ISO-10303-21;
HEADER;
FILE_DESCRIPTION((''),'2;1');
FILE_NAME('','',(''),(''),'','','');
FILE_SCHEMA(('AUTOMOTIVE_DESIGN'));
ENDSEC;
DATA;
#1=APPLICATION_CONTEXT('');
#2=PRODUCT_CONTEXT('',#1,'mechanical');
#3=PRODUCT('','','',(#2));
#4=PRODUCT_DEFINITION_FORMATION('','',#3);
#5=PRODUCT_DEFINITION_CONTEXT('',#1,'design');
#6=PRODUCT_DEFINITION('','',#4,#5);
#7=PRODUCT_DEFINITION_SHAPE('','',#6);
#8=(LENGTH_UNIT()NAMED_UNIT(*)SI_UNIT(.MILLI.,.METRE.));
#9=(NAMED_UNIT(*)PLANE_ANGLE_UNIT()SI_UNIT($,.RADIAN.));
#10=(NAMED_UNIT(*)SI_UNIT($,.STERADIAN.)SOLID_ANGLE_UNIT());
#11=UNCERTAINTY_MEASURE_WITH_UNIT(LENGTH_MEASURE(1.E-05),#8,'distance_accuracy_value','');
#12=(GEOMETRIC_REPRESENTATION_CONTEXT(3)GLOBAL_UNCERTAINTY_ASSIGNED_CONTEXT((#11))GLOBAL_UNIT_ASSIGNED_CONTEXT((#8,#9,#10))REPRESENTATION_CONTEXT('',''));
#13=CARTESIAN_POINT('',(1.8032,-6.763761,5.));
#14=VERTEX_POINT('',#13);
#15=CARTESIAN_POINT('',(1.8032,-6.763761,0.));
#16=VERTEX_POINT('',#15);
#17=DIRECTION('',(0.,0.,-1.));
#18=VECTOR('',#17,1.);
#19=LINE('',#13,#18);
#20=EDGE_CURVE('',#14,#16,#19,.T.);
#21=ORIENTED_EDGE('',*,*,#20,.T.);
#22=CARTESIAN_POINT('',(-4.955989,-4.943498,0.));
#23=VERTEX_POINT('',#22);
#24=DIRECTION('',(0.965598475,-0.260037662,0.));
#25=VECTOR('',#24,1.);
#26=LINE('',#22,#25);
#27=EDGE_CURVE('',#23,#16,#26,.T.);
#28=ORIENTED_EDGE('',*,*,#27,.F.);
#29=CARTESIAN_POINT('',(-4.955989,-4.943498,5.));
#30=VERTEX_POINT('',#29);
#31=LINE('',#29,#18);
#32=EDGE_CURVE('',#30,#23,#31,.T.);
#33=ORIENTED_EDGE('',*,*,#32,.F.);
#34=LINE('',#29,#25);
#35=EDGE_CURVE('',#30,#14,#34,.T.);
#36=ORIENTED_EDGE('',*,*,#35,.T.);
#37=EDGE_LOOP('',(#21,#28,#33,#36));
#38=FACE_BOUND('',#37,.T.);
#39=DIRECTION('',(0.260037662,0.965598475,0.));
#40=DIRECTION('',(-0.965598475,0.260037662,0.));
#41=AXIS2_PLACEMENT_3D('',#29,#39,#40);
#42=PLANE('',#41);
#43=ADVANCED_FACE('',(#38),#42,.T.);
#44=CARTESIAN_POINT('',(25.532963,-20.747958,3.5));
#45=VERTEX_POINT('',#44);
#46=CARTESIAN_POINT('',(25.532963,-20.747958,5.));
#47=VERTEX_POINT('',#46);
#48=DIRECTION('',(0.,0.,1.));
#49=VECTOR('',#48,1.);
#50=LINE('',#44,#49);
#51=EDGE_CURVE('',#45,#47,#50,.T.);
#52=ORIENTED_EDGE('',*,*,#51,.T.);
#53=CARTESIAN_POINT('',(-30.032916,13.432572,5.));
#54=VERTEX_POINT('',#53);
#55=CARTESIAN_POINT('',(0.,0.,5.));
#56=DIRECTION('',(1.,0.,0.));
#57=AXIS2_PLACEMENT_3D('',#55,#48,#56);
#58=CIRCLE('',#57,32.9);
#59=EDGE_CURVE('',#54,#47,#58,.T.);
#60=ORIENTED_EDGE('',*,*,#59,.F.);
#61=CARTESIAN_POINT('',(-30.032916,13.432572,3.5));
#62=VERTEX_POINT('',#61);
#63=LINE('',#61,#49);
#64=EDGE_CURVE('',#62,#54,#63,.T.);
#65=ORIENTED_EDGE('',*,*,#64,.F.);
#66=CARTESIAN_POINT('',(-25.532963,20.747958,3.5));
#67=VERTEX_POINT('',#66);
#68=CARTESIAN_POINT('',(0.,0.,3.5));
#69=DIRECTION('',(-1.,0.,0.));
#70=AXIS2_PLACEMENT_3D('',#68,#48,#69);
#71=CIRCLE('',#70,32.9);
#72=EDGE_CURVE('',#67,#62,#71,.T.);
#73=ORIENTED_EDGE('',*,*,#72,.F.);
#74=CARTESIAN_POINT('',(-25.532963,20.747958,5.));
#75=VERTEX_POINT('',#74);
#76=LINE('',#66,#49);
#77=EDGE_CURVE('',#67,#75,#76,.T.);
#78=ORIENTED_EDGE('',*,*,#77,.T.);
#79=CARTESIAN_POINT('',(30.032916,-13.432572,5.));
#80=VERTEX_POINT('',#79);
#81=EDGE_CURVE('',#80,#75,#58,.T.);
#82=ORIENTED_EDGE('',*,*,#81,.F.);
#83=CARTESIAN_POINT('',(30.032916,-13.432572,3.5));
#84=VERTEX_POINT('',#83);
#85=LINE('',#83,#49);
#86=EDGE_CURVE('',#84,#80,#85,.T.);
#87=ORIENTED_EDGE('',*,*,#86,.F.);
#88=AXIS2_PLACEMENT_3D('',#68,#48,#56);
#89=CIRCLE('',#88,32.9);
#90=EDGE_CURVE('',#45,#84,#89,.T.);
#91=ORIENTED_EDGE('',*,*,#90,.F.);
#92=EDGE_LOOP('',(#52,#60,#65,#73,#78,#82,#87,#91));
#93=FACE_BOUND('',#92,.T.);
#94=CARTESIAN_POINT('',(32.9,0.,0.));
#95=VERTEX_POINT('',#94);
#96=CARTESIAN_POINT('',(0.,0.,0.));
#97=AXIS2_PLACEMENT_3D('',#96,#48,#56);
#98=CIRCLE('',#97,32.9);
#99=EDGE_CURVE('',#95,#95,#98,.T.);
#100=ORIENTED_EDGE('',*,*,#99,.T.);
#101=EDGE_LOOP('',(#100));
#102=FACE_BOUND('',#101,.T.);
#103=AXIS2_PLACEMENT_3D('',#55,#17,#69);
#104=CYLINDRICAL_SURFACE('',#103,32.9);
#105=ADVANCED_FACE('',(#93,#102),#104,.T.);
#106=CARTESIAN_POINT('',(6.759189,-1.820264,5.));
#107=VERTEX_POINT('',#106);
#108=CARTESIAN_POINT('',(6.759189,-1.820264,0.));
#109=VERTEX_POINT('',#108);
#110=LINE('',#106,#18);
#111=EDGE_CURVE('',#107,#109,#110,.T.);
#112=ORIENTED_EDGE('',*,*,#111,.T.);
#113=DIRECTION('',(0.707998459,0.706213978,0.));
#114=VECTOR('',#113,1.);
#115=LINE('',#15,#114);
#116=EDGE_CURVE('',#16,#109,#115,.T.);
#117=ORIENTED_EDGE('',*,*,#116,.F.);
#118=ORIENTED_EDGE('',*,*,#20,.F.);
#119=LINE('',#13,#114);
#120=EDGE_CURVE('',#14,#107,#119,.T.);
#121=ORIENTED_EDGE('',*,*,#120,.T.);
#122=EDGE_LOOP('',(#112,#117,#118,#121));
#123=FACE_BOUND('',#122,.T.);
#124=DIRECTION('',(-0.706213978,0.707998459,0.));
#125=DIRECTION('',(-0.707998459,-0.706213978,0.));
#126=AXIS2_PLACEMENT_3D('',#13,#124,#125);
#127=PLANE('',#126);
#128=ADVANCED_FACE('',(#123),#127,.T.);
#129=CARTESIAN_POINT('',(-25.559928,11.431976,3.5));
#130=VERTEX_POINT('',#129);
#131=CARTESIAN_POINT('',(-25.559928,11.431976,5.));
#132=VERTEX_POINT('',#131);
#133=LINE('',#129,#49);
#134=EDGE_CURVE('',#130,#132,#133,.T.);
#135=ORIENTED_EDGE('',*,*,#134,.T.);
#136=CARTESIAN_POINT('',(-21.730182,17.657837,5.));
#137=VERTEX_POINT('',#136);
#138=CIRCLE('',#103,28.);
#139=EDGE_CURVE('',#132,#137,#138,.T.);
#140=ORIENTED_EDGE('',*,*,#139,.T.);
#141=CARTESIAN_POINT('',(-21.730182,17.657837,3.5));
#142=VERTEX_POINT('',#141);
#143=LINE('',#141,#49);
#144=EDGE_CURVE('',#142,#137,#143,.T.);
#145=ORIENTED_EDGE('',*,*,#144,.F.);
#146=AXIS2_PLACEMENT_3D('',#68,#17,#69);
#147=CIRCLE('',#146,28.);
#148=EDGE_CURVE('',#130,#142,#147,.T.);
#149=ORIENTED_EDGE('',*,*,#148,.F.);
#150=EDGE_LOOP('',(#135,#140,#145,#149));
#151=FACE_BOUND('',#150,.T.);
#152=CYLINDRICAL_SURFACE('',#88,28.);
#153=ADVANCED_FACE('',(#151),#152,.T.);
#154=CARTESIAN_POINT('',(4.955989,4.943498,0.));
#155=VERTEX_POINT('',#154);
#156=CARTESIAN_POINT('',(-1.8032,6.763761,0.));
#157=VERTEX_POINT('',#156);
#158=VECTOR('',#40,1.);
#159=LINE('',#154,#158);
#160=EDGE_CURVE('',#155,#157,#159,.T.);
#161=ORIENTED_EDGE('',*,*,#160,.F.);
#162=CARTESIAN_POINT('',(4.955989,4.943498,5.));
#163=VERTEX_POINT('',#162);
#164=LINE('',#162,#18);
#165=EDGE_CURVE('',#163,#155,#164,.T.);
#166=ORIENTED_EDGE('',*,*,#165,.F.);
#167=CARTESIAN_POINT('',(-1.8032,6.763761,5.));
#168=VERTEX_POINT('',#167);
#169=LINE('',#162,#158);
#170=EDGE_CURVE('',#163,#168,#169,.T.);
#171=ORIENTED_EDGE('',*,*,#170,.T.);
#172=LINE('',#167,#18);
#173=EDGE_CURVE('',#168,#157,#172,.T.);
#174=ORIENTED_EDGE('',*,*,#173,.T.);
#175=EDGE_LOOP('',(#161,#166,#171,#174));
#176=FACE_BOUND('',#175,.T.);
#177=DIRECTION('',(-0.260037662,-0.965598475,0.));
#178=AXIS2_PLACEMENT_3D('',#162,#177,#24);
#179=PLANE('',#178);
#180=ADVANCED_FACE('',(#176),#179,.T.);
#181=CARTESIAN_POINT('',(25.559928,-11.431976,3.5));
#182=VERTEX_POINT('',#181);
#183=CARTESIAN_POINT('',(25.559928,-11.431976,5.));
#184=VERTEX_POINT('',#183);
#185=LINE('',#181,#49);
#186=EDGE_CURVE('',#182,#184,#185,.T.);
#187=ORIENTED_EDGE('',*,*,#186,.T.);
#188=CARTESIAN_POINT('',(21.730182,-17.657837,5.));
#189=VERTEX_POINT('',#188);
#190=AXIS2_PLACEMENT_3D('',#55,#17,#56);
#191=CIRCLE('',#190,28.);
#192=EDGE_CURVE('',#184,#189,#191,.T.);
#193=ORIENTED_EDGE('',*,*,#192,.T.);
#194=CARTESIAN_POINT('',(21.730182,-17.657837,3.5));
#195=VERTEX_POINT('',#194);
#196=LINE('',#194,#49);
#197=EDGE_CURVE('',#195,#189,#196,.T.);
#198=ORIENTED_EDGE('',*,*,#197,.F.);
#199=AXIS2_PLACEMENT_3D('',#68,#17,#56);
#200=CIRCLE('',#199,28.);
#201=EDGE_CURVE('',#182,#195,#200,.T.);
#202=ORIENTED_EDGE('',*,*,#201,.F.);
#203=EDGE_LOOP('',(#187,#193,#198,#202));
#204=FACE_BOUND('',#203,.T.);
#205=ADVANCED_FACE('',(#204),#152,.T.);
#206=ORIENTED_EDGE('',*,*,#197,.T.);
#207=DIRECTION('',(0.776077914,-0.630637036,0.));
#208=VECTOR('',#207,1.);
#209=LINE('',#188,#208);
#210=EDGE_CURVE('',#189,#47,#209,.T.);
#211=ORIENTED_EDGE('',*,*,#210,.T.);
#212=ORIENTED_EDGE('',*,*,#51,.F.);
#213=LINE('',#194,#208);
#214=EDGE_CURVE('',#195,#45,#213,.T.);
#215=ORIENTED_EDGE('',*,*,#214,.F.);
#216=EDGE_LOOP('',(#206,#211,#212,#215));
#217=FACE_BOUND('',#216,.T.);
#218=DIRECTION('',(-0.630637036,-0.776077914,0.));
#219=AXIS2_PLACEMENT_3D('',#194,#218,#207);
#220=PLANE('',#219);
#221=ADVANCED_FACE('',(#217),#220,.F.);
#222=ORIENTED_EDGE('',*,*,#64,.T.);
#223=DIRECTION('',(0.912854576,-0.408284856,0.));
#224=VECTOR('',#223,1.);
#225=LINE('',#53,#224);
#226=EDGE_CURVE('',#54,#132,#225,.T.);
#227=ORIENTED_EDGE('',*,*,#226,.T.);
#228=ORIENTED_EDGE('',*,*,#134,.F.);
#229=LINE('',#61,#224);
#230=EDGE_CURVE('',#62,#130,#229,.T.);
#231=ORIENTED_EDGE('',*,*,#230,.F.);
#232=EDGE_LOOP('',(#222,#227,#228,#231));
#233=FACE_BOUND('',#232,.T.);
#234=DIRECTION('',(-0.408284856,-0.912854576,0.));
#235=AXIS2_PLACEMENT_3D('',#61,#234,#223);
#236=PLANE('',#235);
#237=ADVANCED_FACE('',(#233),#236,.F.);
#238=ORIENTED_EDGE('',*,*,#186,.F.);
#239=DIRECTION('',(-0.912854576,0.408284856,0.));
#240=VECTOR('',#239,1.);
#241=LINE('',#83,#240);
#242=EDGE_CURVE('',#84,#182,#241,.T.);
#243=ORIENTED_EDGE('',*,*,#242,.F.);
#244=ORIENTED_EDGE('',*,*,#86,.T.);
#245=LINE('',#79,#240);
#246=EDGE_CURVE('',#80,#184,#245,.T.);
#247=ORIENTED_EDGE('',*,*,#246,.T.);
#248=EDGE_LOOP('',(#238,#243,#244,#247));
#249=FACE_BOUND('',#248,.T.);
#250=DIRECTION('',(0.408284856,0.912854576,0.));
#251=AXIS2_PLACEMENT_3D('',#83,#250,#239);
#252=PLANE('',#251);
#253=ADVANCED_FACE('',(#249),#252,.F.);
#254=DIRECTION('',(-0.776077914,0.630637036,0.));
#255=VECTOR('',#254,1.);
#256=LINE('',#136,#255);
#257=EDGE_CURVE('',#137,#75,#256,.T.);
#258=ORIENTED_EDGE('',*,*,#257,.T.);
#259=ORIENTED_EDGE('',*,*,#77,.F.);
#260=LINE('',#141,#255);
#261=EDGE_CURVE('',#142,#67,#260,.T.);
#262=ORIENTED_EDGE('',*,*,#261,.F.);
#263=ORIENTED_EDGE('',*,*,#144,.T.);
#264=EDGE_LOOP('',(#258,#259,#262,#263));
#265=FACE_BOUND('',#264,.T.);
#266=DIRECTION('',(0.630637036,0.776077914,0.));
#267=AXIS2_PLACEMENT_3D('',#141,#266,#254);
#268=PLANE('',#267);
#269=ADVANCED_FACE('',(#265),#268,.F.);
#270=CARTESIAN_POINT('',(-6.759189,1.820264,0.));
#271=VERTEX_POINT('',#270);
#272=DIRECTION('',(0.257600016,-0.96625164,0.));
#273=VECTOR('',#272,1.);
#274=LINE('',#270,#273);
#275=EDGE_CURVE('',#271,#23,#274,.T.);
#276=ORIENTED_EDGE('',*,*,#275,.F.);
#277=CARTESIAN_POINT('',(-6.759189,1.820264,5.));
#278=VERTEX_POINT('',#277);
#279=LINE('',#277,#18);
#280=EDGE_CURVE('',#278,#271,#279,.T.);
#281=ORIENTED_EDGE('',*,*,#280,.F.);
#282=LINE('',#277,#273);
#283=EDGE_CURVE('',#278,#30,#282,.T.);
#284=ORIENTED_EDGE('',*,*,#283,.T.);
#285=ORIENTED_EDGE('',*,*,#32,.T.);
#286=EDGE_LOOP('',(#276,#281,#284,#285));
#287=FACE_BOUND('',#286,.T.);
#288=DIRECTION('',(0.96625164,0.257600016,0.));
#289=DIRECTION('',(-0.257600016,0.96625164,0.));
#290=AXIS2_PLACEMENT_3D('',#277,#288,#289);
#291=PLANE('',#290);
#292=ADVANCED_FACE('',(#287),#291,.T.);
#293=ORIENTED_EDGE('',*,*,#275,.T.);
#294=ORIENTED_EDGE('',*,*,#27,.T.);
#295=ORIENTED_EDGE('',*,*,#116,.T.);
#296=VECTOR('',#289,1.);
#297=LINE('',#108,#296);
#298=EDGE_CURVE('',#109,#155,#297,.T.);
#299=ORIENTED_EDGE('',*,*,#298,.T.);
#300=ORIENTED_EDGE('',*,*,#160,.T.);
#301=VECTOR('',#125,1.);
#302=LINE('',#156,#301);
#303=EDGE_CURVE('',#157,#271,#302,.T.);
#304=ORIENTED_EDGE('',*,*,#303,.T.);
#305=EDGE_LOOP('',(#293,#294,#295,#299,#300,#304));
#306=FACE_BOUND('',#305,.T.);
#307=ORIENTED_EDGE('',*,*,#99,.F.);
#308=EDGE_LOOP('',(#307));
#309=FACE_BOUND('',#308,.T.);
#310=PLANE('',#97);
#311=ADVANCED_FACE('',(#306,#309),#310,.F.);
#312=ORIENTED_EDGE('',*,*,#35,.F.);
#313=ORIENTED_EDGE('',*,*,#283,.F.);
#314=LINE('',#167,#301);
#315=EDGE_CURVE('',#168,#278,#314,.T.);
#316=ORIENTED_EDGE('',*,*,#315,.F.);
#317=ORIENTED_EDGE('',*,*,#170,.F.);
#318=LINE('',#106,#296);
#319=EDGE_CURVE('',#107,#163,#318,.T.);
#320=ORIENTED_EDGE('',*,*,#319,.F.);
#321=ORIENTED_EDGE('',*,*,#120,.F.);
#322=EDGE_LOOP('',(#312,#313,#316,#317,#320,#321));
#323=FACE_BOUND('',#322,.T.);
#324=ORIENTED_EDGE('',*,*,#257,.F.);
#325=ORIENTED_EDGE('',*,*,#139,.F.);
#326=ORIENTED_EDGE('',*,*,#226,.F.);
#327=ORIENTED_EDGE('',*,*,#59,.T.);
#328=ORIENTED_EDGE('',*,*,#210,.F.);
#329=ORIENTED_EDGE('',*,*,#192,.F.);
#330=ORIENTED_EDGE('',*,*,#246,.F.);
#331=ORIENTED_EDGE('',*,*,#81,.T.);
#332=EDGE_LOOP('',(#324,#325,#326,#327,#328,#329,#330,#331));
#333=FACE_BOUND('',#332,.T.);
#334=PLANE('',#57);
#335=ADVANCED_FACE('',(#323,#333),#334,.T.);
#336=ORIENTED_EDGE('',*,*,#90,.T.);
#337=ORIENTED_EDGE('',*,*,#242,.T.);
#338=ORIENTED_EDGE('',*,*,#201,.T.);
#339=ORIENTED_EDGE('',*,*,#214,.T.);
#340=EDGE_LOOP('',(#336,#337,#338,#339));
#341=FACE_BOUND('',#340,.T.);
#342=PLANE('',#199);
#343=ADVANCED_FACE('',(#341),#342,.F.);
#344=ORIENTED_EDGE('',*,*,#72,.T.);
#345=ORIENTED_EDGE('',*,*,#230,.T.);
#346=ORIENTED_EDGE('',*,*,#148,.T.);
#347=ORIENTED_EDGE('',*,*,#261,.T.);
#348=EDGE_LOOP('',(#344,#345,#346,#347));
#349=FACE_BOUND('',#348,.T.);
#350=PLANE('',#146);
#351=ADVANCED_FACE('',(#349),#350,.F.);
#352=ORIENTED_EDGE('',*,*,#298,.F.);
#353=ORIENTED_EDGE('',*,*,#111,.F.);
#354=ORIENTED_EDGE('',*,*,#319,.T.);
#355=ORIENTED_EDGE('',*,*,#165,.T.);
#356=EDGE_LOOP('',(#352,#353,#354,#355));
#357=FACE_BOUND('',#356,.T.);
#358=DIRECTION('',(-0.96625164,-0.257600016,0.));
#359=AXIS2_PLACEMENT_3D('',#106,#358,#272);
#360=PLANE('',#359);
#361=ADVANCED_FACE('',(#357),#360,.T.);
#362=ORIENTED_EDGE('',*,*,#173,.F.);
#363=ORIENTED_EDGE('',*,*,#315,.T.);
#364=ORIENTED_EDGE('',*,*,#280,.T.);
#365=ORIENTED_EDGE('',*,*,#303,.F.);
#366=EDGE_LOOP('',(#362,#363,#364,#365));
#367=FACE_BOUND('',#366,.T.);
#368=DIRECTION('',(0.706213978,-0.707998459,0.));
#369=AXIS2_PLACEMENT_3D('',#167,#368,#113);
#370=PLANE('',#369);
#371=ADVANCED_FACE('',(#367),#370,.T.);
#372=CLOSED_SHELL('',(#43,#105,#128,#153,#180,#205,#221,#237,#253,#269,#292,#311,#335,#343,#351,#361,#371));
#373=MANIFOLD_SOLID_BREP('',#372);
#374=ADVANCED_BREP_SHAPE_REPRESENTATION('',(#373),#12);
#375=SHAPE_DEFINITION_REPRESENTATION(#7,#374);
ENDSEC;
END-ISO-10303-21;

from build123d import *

# Parameters (mm, degrees)
SKETCH_1_R               = 32.9
EXTRUDE_1_DEPTH          = 5
CUT_EXTRUDE_START        = -1.5
CUT_EXTRUDE_1_DEPTH      = 1.5
PATTERN_CIRCULAR_1_COUNT = 2


with BuildPart() as part:
    # 草图1 → 凸台-拉伸1 (new body)
    with BuildSketch(Plane.XY):
        Circle(SKETCH_1_R)
        Polygon((6.759189323, -1.820263634), (4.95598921, 4.943497845), (-1.803200113, 6.76376148), (-6.759189323, 1.820263634), (-4.95598921, -4.943497845), (1.803200113, -6.76376148), align=None, mode=Mode.SUBTRACT)
    extrude(amount=EXTRUDE_1_DEPTH)

    # 草图2 → 切除-拉伸1 (cut)
    with BuildSketch(Plane.XY.offset(5).offset(CUT_EXTRUDE_START)):
        with BuildLine():
            Line((-30.032915542, 13.432571759), (-25.559928121, 11.431975965))
            ThreePointArc((-25.559928121, 11.431975965), (-23.8490871, 14.670413917), (-21.730181587, 17.657837019))
            Line((-21.730181587, 17.657837019), (-25.532963365, 20.747958497))
            ThreePointArc((-25.532963365, 20.747958497), (-28.022677343, 17.237736352), (-30.032915542, 13.432571759))
        make_face()
    cut_extrude_1 = extrude(amount=CUT_EXTRUDE_1_DEPTH, mode=Mode.SUBTRACT)

    # 阵列(圆周)1: 切除-拉伸1 ×2 about axis
    pattern_circular_1_axis = Axis((0, 0, 0), (0, 0, 1))
    for i in range(1, PATTERN_CIRCULAR_1_COUNT):
        add(cut_extrude_1.rotate(pattern_circular_1_axis, i * 360 / PATTERN_CIRCULAR_1_COUNT), mode=Mode.SUBTRACT)


solid = part.part
